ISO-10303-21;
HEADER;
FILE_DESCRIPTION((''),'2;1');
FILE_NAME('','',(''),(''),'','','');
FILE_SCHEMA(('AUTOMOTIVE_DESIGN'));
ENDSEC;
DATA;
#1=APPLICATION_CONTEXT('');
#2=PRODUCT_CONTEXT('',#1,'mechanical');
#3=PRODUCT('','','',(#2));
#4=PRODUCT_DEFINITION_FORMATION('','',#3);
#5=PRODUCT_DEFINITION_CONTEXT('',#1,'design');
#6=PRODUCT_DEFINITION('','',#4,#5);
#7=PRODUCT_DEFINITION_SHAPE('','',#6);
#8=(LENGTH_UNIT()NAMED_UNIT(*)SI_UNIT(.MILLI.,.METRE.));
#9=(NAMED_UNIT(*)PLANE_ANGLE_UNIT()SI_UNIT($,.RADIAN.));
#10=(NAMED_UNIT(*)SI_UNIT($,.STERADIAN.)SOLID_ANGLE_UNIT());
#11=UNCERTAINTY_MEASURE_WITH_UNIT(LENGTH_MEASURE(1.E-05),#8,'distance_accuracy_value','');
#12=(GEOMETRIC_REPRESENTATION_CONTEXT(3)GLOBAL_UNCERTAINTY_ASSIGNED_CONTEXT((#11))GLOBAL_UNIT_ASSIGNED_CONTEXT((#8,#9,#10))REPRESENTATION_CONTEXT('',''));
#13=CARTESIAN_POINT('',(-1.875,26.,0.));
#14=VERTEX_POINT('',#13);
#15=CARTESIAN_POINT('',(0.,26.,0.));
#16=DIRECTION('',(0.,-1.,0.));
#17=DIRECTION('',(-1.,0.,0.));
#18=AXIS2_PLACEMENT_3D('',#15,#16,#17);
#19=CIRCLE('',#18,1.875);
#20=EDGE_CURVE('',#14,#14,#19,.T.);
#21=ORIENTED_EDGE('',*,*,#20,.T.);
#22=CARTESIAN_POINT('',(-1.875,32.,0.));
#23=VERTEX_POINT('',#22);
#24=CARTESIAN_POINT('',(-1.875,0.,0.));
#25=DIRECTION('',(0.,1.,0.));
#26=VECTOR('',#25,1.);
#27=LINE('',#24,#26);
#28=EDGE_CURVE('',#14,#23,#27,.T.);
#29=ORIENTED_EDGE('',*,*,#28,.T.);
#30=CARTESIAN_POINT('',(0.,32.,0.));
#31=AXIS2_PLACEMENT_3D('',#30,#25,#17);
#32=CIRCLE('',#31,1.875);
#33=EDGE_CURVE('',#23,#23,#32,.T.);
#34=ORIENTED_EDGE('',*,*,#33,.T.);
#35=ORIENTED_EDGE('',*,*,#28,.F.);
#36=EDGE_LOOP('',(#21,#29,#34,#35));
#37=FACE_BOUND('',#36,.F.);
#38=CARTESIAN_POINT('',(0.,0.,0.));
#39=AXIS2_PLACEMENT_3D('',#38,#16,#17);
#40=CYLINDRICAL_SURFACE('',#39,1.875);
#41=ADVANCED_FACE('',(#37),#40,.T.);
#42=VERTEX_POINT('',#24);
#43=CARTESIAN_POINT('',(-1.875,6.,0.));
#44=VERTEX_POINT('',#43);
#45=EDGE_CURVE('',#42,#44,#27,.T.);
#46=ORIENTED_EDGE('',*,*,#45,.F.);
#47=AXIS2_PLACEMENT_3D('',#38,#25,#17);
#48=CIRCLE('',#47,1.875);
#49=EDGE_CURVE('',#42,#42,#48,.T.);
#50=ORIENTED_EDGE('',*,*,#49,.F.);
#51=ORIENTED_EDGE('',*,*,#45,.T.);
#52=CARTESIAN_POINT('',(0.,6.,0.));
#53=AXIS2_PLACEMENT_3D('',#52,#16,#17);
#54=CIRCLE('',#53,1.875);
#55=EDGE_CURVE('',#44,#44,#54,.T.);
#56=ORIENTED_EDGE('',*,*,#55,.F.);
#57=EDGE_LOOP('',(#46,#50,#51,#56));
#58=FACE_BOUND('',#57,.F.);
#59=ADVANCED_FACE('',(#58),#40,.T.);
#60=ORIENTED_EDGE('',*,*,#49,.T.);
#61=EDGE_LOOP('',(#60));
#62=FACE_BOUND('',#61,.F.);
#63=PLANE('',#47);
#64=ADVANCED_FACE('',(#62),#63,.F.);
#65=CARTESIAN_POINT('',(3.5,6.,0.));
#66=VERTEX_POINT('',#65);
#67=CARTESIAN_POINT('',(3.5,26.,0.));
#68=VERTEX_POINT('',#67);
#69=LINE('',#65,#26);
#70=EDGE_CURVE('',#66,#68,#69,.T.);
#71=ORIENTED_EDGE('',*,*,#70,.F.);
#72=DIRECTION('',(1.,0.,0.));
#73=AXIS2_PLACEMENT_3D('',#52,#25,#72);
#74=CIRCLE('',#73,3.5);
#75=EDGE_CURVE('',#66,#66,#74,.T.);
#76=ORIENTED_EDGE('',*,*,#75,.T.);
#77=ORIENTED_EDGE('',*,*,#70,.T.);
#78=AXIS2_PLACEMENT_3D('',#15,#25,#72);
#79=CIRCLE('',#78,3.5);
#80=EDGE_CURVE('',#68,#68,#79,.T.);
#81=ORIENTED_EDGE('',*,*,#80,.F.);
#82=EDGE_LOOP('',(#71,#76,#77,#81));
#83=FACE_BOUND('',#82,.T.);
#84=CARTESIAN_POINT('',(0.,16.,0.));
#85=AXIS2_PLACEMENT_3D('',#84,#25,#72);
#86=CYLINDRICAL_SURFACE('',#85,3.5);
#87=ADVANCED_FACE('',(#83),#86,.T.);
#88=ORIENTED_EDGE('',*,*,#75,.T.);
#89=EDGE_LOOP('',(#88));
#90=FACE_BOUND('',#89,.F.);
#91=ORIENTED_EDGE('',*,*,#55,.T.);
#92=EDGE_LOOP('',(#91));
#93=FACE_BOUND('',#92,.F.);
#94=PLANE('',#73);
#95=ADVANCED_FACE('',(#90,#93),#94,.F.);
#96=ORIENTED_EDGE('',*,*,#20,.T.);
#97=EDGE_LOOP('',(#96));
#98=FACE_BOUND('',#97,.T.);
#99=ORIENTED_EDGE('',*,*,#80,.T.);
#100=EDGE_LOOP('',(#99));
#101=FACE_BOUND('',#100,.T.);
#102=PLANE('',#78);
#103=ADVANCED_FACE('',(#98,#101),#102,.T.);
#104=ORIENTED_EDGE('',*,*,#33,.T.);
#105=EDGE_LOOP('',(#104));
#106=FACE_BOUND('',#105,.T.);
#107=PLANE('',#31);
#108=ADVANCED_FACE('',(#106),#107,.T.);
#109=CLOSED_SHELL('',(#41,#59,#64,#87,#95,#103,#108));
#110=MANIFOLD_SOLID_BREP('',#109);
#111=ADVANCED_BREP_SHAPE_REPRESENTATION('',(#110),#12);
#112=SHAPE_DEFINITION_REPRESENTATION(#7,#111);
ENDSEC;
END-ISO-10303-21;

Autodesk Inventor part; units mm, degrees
ref_plane "YZ Plane" through (0, 0, 0) normal (1, 0, 0) x (0, 1, 0)
ref_plane "XZ Plane" through (0, 0, 0) normal (0, 1, 0) x (-1, 0, 0)
sketch "Sketch1" plane through (0, 0, 0) normal (0, 1, 0) x (-1, 0, 0)
  circle A0 centre (0, 0) radius 1.875
  dimension "d0" = 3.75
extrude "Extrusion1" add sketch "Sketch1" along normal blind 32
ref_plane "Work Plane1" through (0, 16, 0) normal (0, 1, 0) x (1, 0, 0)
sketch "Sketch3" plane through (0, 16, 0) normal (0, 1, 0) x (1, 0, 0)
  circle A0 centre (0, 0) radius 3.5
  dimension "d4" = 7
extrude "Extrusion2" add sketch "Sketch3" along normal mid plane 20
properties part number "Electromagnet"
